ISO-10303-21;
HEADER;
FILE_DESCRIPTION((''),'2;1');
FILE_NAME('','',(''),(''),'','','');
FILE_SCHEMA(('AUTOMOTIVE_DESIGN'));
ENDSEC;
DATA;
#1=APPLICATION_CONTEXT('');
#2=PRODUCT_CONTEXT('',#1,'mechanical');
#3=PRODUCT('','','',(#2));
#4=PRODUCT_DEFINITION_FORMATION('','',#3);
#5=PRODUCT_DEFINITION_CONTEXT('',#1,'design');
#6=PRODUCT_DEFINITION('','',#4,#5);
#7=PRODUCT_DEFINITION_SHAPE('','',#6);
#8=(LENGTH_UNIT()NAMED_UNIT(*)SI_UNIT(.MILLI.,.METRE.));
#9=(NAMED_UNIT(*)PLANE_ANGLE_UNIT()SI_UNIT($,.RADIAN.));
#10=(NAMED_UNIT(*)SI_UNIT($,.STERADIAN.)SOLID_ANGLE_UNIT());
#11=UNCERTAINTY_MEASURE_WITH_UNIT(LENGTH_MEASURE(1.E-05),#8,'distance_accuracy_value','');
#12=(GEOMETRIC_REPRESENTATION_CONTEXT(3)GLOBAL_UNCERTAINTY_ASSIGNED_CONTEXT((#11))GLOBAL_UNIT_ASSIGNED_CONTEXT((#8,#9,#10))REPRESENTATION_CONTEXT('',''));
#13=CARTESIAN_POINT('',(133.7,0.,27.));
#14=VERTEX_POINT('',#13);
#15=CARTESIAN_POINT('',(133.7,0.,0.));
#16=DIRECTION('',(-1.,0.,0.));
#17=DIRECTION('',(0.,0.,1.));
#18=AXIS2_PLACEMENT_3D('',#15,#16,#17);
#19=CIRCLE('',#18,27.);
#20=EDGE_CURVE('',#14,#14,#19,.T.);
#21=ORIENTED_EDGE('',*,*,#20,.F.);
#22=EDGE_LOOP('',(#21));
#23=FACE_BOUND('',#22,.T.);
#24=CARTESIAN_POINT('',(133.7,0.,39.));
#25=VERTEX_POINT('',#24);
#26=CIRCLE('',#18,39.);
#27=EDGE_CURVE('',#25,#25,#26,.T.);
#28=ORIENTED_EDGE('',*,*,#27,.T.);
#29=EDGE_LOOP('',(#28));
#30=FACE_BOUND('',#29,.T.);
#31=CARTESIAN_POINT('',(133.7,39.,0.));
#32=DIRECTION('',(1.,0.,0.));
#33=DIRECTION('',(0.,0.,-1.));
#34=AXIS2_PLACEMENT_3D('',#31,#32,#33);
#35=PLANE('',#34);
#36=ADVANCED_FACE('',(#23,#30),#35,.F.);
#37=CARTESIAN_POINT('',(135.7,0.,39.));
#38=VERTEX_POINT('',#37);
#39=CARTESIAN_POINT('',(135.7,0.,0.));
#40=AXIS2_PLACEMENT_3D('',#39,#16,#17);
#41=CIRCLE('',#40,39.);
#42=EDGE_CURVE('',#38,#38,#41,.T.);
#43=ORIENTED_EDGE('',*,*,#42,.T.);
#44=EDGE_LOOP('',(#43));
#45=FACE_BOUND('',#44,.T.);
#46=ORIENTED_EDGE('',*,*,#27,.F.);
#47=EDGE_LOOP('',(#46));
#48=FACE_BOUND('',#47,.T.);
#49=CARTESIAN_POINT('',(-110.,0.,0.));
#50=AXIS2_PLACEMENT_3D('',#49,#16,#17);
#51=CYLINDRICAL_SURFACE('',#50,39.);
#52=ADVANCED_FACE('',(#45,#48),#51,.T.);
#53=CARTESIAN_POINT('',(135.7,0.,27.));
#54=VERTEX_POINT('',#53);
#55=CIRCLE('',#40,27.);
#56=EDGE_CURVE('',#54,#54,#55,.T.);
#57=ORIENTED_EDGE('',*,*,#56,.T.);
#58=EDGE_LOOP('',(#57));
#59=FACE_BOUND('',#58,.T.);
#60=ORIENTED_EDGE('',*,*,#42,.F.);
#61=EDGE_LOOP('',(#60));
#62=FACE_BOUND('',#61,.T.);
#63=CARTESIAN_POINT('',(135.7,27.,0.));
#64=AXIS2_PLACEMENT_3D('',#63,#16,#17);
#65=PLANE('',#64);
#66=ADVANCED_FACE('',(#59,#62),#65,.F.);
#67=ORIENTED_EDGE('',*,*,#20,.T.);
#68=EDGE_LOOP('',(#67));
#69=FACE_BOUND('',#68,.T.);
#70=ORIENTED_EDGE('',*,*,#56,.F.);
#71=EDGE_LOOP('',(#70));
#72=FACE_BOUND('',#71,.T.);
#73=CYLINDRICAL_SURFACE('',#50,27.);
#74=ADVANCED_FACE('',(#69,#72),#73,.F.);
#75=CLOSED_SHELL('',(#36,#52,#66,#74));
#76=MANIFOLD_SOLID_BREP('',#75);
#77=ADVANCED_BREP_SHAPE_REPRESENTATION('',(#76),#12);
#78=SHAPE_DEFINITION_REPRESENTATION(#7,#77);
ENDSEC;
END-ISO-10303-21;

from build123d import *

# Parameters (mm, degrees)
AXIAL_PROFILE_MM_W = 2
AXIAL_PROFILE_MM_H = 12


with BuildPart() as part:
    # Axial profile (mm) → Full revolution (revolve)
    with BuildSketch(Plane.XY, mode=Mode.PRIVATE) as full_revolution_sk:
        with Locations((134.7, 33)):
            Rectangle(AXIAL_PROFILE_MM_W, AXIAL_PROFILE_MM_H)
    revolve(full_revolution_sk.sketch.rotate(Axis((-110, 0, 0), (1, 0, 0)), 90), axis=Axis((-110, 0, 0), (1, 0, 0)))


solid = part.part
